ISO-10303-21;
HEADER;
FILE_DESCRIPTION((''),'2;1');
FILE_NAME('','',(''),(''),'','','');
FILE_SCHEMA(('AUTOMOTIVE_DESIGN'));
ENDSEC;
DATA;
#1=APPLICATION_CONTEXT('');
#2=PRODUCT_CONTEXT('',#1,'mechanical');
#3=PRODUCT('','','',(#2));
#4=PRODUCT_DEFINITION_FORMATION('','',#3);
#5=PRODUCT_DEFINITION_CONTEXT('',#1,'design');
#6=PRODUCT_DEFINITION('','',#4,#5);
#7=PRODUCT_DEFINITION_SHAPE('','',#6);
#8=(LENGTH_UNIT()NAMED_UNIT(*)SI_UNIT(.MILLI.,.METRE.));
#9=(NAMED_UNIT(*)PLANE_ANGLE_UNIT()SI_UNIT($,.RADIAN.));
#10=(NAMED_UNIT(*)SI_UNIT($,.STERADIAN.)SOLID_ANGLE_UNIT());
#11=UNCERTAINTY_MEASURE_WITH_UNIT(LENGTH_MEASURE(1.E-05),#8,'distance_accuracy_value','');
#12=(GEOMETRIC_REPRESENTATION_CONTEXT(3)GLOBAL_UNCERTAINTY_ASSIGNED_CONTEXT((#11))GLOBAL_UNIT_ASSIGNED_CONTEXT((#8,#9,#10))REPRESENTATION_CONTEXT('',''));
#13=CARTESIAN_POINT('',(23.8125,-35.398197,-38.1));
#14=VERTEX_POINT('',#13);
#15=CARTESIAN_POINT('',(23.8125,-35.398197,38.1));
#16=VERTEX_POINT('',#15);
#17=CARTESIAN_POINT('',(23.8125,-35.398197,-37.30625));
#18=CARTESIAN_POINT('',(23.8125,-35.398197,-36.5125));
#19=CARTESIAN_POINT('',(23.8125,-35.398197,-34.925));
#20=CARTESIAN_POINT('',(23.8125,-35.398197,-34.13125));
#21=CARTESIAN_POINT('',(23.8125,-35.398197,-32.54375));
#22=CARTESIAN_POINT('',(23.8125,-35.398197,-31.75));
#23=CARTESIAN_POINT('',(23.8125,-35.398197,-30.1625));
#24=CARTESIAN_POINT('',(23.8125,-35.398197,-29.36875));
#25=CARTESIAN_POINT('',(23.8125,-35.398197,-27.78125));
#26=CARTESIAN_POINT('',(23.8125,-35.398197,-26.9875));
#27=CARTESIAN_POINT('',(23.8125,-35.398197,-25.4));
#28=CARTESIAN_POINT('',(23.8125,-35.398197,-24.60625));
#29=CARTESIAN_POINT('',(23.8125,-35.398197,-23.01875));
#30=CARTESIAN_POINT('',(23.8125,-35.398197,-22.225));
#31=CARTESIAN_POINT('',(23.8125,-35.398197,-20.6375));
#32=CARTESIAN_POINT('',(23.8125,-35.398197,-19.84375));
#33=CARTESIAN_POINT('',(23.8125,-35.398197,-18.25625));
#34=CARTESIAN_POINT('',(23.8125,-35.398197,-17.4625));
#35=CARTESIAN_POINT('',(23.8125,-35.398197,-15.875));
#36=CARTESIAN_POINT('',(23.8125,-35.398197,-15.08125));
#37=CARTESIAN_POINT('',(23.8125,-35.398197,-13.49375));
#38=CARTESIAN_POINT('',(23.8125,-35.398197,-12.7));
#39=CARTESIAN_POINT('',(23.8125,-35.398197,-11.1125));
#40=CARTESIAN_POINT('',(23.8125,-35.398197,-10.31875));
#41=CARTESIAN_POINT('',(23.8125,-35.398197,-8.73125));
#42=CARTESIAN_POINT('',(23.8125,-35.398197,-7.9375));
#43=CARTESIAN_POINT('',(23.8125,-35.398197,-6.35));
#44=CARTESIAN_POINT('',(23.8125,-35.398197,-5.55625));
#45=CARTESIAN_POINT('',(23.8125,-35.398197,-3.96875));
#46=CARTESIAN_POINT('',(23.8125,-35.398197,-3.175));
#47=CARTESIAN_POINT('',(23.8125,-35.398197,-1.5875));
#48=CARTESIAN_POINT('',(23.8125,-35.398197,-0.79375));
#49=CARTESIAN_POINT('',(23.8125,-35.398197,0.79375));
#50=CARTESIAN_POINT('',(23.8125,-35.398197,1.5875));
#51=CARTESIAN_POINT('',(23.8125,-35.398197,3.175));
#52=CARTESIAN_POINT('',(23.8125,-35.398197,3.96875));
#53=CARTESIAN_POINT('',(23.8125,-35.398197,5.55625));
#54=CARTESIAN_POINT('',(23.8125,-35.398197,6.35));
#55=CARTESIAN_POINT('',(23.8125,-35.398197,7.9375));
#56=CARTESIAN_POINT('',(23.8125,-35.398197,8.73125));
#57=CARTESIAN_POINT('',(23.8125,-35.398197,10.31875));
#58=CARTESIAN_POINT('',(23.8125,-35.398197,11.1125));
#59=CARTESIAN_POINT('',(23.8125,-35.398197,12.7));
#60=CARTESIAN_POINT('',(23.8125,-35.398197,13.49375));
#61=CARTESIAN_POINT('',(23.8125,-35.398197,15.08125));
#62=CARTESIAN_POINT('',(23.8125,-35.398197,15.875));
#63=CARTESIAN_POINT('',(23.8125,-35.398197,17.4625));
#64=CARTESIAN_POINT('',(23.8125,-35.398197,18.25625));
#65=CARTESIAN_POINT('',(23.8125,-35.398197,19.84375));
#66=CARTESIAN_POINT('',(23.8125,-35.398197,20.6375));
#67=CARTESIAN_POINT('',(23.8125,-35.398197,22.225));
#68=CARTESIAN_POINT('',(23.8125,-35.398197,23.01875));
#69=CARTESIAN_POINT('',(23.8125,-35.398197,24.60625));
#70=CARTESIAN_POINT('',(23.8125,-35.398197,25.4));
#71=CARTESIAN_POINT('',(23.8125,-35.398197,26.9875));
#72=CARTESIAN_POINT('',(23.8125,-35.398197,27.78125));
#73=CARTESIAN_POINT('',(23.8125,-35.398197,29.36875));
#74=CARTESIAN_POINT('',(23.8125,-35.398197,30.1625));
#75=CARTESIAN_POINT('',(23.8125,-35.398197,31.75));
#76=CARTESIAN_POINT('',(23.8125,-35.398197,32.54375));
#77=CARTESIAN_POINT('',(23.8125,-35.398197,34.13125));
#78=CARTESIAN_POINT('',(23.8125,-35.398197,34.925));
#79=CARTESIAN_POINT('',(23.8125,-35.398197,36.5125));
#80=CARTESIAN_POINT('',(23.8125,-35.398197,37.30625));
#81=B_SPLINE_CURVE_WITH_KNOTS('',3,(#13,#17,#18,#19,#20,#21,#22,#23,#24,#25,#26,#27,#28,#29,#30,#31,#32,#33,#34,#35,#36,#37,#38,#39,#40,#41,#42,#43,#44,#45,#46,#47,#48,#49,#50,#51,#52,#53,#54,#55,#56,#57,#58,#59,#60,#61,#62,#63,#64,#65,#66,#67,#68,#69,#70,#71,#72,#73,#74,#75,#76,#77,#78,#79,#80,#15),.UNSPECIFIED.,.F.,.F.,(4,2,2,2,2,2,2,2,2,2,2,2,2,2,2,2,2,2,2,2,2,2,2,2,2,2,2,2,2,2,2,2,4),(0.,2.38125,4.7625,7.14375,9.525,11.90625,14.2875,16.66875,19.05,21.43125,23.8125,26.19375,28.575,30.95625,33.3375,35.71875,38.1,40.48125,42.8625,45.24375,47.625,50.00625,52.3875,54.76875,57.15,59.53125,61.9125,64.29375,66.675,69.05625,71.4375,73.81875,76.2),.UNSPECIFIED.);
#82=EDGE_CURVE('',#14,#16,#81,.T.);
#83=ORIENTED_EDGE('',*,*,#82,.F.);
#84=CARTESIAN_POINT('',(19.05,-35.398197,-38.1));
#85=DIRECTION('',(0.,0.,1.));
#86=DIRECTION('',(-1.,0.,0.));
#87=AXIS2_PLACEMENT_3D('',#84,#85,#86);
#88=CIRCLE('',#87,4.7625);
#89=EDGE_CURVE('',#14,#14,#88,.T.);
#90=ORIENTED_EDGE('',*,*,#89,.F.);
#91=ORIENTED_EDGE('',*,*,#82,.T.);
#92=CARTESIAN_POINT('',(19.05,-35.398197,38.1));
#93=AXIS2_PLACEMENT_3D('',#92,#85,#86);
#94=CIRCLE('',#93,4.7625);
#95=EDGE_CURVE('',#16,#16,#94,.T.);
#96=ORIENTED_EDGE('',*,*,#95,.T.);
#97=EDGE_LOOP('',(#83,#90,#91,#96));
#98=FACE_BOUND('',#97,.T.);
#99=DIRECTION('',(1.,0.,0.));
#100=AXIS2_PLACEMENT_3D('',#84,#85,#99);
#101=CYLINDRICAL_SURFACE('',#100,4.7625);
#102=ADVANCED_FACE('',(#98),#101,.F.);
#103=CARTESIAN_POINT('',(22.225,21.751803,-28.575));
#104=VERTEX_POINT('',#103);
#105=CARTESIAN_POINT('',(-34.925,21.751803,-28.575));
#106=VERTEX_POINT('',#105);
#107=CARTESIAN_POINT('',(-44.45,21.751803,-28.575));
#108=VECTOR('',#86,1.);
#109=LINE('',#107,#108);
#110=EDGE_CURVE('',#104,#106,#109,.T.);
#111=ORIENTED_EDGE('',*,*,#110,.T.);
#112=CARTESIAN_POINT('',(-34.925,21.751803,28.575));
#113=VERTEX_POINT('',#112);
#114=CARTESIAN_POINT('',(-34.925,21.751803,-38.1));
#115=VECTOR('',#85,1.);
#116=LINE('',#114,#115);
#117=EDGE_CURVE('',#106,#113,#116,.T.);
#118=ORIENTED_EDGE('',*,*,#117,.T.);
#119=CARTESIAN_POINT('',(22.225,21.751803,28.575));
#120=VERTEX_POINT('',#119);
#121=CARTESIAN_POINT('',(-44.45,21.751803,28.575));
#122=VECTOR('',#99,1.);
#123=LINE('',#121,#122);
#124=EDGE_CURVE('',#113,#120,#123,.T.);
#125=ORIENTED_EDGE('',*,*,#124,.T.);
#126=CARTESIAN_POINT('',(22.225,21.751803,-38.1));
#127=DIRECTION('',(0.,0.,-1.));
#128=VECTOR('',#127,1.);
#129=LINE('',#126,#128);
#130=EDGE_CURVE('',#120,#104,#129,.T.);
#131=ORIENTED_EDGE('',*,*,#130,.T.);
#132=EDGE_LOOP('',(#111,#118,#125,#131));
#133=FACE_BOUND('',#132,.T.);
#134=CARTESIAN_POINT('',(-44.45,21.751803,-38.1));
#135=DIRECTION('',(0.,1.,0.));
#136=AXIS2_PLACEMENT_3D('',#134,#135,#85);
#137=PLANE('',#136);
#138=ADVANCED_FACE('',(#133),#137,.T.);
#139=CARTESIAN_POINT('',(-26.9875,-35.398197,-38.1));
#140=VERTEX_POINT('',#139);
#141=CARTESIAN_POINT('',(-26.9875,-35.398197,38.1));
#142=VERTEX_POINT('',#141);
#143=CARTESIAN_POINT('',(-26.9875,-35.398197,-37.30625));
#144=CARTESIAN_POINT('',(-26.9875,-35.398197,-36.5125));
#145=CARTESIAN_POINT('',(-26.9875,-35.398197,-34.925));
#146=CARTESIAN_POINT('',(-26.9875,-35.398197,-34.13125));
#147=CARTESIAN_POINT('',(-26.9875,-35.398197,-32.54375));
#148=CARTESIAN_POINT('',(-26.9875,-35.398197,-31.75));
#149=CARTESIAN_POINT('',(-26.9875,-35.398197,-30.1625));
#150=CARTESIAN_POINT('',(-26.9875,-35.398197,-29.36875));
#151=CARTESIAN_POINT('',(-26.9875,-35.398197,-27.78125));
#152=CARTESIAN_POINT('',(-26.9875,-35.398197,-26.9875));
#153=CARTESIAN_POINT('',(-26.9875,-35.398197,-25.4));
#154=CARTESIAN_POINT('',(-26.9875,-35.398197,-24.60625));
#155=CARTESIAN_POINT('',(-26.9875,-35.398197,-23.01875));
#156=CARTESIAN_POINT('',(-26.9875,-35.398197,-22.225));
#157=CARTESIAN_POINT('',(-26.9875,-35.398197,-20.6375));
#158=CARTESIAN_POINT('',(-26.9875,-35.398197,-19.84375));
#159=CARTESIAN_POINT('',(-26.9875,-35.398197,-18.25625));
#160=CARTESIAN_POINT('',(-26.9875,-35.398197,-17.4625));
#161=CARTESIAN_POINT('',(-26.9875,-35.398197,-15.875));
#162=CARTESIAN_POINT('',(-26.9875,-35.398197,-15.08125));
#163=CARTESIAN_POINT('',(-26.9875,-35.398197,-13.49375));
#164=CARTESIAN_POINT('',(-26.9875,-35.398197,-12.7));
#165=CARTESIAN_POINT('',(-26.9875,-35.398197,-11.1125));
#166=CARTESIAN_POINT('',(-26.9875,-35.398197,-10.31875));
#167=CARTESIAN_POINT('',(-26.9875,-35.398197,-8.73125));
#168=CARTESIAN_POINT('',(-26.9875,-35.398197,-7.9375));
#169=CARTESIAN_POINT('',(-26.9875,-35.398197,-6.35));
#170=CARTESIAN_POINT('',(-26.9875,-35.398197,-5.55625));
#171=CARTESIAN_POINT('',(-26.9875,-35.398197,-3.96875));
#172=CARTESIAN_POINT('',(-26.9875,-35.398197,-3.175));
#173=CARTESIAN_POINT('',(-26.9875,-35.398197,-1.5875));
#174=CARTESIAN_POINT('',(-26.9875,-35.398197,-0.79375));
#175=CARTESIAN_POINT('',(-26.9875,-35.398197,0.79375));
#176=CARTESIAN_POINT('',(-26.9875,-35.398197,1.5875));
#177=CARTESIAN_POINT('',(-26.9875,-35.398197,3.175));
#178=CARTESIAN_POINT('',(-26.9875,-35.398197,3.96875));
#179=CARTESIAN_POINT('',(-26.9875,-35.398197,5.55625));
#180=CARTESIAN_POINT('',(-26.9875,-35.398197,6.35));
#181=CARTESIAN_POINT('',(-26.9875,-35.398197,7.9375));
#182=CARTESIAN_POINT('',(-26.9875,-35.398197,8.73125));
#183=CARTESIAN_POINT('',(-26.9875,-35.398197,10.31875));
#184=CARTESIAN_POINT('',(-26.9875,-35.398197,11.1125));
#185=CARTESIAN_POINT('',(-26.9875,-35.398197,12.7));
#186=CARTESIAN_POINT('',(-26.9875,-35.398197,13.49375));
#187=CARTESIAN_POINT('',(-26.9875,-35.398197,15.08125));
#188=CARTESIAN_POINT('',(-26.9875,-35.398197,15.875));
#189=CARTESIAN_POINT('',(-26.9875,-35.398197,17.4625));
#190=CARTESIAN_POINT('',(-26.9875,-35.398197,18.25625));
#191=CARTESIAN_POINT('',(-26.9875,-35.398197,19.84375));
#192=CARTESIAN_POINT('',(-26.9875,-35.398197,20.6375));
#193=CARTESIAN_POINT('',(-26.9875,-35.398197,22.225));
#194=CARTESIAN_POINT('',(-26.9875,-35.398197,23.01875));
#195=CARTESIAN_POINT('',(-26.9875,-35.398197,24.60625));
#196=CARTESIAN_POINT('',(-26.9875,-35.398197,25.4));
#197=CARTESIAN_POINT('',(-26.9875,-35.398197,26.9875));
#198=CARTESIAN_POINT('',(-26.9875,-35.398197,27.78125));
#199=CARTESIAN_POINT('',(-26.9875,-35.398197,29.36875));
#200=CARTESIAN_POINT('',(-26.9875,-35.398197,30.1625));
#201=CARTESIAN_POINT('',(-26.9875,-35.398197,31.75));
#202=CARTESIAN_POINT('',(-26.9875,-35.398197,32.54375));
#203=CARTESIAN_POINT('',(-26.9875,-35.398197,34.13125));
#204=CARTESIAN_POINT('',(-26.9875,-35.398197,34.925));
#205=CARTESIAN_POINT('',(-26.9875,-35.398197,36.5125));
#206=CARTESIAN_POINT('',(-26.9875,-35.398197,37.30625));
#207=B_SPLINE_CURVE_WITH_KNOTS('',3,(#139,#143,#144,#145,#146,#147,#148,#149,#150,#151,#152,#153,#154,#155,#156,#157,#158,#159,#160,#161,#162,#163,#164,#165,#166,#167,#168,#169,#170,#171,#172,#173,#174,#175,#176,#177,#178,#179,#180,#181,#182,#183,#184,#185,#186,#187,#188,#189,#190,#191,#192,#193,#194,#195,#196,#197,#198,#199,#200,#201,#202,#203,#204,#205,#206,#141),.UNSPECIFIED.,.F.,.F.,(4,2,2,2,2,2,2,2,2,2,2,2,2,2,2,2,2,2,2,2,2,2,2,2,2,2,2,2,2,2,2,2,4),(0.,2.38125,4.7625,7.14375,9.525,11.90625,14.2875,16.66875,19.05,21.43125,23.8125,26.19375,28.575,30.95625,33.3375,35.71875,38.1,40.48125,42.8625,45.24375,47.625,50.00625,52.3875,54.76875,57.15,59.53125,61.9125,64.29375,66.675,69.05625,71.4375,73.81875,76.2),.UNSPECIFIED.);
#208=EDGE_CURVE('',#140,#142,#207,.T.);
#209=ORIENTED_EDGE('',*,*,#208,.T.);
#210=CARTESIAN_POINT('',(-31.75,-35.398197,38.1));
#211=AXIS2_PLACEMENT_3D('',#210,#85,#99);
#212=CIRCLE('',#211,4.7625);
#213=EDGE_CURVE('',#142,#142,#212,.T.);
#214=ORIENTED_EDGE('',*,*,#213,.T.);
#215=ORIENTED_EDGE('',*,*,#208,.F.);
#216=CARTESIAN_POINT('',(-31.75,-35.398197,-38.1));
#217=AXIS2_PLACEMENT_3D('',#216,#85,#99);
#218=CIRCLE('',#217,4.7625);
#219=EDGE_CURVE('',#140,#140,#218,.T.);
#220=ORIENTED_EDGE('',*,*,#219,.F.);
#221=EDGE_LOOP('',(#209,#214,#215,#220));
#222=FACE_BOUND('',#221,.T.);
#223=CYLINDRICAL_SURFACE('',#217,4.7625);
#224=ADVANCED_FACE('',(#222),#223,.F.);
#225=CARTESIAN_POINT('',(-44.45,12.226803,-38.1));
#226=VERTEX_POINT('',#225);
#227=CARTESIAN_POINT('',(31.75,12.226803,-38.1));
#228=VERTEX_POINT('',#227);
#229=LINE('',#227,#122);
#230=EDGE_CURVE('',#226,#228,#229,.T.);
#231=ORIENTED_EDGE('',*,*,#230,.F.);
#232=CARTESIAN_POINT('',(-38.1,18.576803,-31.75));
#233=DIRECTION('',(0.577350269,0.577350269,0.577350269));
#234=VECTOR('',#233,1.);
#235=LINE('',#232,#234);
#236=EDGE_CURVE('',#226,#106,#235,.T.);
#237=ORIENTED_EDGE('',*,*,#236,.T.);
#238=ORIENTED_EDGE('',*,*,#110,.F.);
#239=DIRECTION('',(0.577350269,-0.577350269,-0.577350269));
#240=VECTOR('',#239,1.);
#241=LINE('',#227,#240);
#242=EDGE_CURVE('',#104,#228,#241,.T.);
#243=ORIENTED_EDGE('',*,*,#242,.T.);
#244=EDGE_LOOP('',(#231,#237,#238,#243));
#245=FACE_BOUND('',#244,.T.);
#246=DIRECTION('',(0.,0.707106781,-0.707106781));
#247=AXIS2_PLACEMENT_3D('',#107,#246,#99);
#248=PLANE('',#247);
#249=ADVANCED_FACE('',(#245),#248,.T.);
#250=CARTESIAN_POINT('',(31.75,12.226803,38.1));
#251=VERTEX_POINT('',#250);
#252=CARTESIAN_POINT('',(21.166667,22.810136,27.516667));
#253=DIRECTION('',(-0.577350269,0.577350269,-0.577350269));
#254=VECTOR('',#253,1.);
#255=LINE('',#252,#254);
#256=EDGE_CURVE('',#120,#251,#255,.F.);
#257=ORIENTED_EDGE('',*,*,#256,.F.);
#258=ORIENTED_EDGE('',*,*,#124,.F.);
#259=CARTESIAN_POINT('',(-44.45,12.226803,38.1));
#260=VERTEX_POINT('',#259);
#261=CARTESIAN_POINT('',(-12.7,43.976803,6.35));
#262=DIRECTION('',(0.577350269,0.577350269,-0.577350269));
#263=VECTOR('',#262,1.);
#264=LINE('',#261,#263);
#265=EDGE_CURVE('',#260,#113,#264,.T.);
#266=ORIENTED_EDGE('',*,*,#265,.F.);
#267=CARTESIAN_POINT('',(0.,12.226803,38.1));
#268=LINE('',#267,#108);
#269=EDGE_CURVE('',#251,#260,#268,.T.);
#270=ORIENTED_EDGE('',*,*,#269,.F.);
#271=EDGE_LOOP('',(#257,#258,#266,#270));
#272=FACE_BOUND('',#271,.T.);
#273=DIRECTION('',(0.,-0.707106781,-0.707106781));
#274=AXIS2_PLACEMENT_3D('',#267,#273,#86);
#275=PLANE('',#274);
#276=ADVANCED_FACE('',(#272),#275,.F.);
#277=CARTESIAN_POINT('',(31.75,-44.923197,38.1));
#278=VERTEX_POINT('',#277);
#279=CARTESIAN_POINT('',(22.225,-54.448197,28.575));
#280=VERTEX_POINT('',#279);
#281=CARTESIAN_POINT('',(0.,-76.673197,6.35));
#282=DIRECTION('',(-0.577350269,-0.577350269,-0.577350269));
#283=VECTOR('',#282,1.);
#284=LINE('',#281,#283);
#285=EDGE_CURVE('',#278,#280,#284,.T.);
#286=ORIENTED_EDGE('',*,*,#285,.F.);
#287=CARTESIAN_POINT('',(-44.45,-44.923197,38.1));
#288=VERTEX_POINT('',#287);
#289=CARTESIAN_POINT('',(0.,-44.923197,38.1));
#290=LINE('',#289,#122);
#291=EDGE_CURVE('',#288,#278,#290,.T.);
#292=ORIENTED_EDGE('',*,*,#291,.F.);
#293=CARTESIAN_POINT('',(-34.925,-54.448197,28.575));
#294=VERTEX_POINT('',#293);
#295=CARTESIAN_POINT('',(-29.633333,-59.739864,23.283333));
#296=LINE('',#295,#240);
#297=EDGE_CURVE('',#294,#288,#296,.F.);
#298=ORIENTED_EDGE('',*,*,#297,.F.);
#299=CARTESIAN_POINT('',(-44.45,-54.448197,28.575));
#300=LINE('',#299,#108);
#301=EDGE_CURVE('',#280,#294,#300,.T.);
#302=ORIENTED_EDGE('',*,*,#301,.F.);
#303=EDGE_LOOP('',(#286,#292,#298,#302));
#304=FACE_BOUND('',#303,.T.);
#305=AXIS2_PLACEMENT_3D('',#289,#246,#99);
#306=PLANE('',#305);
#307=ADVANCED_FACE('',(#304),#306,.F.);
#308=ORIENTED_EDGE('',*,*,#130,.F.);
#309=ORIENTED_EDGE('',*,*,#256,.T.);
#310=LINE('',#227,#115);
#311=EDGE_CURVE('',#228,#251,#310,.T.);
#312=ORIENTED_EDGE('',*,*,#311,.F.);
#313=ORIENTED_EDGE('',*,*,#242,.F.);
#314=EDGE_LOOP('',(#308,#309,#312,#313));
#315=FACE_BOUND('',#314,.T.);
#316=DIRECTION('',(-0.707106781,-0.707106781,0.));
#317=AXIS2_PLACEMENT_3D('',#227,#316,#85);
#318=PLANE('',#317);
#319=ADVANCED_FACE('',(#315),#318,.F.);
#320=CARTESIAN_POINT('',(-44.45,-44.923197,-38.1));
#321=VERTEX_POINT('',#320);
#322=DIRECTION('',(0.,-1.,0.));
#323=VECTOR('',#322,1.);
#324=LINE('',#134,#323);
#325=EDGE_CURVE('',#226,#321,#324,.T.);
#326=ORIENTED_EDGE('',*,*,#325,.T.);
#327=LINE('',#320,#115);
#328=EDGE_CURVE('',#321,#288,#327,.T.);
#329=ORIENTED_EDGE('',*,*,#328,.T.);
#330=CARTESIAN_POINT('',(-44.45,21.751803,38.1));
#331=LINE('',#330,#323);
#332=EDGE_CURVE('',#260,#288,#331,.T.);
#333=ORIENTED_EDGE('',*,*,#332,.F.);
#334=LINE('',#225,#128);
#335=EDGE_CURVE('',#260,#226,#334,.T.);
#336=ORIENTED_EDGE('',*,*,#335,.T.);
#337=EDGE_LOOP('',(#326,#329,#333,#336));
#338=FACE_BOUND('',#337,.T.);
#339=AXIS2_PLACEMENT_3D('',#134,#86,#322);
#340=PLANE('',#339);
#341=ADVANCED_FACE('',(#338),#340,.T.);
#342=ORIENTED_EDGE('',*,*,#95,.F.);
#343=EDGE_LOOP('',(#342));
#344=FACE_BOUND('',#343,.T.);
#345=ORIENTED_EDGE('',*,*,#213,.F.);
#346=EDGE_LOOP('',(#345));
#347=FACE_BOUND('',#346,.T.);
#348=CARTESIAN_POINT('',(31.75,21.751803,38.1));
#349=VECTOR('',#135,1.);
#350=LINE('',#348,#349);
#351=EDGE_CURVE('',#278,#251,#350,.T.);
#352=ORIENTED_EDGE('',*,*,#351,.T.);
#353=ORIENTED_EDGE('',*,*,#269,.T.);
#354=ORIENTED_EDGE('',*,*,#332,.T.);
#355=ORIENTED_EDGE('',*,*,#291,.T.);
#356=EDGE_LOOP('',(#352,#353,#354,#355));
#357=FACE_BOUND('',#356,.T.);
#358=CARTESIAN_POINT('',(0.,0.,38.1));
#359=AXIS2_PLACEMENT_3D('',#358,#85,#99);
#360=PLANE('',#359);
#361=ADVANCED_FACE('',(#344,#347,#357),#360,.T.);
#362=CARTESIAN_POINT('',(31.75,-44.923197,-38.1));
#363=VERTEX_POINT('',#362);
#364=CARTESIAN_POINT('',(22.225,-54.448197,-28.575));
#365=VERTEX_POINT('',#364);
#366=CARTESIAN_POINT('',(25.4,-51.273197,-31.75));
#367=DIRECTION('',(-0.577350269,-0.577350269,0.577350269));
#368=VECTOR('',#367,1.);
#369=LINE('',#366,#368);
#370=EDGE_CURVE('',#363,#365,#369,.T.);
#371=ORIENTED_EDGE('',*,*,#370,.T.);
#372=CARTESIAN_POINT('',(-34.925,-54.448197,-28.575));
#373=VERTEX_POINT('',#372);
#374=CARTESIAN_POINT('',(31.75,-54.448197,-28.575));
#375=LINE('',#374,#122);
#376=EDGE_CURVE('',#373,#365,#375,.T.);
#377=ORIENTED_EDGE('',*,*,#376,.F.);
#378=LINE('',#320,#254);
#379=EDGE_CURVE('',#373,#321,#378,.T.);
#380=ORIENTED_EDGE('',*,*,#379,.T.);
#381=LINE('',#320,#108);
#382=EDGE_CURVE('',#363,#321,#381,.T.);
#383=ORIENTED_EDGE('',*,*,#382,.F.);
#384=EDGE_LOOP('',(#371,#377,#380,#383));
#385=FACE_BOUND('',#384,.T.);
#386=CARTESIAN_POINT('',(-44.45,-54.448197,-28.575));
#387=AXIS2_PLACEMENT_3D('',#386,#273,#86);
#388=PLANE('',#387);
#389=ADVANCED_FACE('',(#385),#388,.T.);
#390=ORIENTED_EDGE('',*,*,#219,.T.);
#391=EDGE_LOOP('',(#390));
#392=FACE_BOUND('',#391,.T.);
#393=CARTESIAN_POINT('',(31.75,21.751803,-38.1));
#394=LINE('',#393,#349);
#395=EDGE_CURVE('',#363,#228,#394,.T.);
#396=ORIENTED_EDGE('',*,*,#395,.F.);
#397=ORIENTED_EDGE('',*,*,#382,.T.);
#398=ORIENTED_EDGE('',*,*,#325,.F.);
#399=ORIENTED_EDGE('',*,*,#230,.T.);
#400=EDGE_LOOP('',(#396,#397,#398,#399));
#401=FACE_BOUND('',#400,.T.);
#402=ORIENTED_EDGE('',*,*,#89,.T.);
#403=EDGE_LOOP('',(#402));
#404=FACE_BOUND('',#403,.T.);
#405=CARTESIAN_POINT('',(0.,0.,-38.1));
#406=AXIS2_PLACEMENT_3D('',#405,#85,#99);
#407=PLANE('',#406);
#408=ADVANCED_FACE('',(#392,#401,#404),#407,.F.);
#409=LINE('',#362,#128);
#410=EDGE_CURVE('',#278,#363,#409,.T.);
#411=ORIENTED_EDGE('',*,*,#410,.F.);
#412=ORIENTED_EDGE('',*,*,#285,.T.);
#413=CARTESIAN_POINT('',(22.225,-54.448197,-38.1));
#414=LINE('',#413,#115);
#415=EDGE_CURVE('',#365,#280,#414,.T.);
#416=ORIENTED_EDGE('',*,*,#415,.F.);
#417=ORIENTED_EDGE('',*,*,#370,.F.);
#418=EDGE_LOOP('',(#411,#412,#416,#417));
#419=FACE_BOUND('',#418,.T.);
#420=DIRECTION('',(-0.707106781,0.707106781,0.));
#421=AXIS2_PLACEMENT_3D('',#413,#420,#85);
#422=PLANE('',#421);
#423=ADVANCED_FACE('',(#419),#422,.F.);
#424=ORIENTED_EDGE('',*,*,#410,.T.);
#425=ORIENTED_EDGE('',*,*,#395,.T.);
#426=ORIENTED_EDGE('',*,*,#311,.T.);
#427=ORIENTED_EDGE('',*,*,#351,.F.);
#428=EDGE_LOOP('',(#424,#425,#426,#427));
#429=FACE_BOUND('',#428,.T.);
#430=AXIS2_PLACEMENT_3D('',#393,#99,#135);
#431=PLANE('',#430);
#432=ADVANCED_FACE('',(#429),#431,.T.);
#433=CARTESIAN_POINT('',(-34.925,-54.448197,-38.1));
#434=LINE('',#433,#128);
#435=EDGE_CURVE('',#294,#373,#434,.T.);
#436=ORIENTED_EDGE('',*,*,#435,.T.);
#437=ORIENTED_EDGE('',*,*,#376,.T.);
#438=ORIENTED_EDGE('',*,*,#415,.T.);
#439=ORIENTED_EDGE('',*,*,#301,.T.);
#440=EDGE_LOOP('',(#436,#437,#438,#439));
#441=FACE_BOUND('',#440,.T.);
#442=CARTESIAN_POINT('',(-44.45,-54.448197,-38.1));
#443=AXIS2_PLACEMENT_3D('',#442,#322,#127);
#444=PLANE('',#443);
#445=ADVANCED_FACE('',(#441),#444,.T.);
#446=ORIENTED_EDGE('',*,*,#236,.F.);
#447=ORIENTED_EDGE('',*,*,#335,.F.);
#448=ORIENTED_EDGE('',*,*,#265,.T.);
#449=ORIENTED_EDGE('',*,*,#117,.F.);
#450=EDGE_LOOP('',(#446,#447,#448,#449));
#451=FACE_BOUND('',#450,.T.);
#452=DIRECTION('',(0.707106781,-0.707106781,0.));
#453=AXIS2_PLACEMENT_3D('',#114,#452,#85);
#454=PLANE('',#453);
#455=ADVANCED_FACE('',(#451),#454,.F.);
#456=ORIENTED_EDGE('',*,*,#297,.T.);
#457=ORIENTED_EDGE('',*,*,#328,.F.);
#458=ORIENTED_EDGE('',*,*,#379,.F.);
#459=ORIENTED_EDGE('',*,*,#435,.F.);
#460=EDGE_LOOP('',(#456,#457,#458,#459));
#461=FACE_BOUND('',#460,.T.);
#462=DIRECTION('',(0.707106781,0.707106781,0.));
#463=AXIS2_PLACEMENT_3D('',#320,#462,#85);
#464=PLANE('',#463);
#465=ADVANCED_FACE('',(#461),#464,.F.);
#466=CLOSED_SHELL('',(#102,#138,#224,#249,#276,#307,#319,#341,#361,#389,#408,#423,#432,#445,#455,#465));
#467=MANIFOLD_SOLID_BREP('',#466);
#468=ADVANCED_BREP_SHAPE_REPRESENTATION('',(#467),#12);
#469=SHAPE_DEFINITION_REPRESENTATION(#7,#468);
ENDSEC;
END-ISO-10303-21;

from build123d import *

# Parameters (mm, degrees)
BOSS_EXTRUDE1_DEPTH      = 38.1
BOSS_EXTRUDE1_DEPTH_BACK = 38.1
SKETCH1_W                = 76.2
SKETCH1_H                = 76.2
SKETCH1_R                = 4.7625
CHAMFER1_SIZE            = 9.525


with BuildPart() as part:
    # Sketch1 → Boss-Extrude1 (new, two sides: drawn at the far end of the back side and taken through both)
    with BuildSketch(Plane.XY.offset(-BOSS_EXTRUDE1_DEPTH_BACK)):
        with Locations((-6.35, -16.348197115)):
            Rectangle(SKETCH1_W, SKETCH1_H)
        with Locations((-31.75, -35.398197115)):
            Circle(SKETCH1_R, mode=Mode.SUBTRACT)
        with Locations((19.05, -35.398197115)):
            Circle(SKETCH1_R, mode=Mode.SUBTRACT)
    extrude(amount=BOSS_EXTRUDE1_DEPTH + BOSS_EXTRUDE1_DEPTH_BACK)

    # Chamfer1
    chamfer1_edges = [part.edges().sort_by_distance(p)[0] for p in [
        (-6.35, -54.448197115, -38.1),
        (-6.35, 21.751802885, 38.1),
        (-6.35, -54.448197115, 38.1),
        (31.75, -54.448197115, 0),
        (-44.45, -54.448197115, 0),
        (-44.45, 21.751802885, 0),
        (31.75, 21.751802885, 0),
        (-6.35, 21.751802885, -38.1),
    ]]
    chamfer(chamfer1_edges, length=CHAMFER1_SIZE)


solid = part.part
